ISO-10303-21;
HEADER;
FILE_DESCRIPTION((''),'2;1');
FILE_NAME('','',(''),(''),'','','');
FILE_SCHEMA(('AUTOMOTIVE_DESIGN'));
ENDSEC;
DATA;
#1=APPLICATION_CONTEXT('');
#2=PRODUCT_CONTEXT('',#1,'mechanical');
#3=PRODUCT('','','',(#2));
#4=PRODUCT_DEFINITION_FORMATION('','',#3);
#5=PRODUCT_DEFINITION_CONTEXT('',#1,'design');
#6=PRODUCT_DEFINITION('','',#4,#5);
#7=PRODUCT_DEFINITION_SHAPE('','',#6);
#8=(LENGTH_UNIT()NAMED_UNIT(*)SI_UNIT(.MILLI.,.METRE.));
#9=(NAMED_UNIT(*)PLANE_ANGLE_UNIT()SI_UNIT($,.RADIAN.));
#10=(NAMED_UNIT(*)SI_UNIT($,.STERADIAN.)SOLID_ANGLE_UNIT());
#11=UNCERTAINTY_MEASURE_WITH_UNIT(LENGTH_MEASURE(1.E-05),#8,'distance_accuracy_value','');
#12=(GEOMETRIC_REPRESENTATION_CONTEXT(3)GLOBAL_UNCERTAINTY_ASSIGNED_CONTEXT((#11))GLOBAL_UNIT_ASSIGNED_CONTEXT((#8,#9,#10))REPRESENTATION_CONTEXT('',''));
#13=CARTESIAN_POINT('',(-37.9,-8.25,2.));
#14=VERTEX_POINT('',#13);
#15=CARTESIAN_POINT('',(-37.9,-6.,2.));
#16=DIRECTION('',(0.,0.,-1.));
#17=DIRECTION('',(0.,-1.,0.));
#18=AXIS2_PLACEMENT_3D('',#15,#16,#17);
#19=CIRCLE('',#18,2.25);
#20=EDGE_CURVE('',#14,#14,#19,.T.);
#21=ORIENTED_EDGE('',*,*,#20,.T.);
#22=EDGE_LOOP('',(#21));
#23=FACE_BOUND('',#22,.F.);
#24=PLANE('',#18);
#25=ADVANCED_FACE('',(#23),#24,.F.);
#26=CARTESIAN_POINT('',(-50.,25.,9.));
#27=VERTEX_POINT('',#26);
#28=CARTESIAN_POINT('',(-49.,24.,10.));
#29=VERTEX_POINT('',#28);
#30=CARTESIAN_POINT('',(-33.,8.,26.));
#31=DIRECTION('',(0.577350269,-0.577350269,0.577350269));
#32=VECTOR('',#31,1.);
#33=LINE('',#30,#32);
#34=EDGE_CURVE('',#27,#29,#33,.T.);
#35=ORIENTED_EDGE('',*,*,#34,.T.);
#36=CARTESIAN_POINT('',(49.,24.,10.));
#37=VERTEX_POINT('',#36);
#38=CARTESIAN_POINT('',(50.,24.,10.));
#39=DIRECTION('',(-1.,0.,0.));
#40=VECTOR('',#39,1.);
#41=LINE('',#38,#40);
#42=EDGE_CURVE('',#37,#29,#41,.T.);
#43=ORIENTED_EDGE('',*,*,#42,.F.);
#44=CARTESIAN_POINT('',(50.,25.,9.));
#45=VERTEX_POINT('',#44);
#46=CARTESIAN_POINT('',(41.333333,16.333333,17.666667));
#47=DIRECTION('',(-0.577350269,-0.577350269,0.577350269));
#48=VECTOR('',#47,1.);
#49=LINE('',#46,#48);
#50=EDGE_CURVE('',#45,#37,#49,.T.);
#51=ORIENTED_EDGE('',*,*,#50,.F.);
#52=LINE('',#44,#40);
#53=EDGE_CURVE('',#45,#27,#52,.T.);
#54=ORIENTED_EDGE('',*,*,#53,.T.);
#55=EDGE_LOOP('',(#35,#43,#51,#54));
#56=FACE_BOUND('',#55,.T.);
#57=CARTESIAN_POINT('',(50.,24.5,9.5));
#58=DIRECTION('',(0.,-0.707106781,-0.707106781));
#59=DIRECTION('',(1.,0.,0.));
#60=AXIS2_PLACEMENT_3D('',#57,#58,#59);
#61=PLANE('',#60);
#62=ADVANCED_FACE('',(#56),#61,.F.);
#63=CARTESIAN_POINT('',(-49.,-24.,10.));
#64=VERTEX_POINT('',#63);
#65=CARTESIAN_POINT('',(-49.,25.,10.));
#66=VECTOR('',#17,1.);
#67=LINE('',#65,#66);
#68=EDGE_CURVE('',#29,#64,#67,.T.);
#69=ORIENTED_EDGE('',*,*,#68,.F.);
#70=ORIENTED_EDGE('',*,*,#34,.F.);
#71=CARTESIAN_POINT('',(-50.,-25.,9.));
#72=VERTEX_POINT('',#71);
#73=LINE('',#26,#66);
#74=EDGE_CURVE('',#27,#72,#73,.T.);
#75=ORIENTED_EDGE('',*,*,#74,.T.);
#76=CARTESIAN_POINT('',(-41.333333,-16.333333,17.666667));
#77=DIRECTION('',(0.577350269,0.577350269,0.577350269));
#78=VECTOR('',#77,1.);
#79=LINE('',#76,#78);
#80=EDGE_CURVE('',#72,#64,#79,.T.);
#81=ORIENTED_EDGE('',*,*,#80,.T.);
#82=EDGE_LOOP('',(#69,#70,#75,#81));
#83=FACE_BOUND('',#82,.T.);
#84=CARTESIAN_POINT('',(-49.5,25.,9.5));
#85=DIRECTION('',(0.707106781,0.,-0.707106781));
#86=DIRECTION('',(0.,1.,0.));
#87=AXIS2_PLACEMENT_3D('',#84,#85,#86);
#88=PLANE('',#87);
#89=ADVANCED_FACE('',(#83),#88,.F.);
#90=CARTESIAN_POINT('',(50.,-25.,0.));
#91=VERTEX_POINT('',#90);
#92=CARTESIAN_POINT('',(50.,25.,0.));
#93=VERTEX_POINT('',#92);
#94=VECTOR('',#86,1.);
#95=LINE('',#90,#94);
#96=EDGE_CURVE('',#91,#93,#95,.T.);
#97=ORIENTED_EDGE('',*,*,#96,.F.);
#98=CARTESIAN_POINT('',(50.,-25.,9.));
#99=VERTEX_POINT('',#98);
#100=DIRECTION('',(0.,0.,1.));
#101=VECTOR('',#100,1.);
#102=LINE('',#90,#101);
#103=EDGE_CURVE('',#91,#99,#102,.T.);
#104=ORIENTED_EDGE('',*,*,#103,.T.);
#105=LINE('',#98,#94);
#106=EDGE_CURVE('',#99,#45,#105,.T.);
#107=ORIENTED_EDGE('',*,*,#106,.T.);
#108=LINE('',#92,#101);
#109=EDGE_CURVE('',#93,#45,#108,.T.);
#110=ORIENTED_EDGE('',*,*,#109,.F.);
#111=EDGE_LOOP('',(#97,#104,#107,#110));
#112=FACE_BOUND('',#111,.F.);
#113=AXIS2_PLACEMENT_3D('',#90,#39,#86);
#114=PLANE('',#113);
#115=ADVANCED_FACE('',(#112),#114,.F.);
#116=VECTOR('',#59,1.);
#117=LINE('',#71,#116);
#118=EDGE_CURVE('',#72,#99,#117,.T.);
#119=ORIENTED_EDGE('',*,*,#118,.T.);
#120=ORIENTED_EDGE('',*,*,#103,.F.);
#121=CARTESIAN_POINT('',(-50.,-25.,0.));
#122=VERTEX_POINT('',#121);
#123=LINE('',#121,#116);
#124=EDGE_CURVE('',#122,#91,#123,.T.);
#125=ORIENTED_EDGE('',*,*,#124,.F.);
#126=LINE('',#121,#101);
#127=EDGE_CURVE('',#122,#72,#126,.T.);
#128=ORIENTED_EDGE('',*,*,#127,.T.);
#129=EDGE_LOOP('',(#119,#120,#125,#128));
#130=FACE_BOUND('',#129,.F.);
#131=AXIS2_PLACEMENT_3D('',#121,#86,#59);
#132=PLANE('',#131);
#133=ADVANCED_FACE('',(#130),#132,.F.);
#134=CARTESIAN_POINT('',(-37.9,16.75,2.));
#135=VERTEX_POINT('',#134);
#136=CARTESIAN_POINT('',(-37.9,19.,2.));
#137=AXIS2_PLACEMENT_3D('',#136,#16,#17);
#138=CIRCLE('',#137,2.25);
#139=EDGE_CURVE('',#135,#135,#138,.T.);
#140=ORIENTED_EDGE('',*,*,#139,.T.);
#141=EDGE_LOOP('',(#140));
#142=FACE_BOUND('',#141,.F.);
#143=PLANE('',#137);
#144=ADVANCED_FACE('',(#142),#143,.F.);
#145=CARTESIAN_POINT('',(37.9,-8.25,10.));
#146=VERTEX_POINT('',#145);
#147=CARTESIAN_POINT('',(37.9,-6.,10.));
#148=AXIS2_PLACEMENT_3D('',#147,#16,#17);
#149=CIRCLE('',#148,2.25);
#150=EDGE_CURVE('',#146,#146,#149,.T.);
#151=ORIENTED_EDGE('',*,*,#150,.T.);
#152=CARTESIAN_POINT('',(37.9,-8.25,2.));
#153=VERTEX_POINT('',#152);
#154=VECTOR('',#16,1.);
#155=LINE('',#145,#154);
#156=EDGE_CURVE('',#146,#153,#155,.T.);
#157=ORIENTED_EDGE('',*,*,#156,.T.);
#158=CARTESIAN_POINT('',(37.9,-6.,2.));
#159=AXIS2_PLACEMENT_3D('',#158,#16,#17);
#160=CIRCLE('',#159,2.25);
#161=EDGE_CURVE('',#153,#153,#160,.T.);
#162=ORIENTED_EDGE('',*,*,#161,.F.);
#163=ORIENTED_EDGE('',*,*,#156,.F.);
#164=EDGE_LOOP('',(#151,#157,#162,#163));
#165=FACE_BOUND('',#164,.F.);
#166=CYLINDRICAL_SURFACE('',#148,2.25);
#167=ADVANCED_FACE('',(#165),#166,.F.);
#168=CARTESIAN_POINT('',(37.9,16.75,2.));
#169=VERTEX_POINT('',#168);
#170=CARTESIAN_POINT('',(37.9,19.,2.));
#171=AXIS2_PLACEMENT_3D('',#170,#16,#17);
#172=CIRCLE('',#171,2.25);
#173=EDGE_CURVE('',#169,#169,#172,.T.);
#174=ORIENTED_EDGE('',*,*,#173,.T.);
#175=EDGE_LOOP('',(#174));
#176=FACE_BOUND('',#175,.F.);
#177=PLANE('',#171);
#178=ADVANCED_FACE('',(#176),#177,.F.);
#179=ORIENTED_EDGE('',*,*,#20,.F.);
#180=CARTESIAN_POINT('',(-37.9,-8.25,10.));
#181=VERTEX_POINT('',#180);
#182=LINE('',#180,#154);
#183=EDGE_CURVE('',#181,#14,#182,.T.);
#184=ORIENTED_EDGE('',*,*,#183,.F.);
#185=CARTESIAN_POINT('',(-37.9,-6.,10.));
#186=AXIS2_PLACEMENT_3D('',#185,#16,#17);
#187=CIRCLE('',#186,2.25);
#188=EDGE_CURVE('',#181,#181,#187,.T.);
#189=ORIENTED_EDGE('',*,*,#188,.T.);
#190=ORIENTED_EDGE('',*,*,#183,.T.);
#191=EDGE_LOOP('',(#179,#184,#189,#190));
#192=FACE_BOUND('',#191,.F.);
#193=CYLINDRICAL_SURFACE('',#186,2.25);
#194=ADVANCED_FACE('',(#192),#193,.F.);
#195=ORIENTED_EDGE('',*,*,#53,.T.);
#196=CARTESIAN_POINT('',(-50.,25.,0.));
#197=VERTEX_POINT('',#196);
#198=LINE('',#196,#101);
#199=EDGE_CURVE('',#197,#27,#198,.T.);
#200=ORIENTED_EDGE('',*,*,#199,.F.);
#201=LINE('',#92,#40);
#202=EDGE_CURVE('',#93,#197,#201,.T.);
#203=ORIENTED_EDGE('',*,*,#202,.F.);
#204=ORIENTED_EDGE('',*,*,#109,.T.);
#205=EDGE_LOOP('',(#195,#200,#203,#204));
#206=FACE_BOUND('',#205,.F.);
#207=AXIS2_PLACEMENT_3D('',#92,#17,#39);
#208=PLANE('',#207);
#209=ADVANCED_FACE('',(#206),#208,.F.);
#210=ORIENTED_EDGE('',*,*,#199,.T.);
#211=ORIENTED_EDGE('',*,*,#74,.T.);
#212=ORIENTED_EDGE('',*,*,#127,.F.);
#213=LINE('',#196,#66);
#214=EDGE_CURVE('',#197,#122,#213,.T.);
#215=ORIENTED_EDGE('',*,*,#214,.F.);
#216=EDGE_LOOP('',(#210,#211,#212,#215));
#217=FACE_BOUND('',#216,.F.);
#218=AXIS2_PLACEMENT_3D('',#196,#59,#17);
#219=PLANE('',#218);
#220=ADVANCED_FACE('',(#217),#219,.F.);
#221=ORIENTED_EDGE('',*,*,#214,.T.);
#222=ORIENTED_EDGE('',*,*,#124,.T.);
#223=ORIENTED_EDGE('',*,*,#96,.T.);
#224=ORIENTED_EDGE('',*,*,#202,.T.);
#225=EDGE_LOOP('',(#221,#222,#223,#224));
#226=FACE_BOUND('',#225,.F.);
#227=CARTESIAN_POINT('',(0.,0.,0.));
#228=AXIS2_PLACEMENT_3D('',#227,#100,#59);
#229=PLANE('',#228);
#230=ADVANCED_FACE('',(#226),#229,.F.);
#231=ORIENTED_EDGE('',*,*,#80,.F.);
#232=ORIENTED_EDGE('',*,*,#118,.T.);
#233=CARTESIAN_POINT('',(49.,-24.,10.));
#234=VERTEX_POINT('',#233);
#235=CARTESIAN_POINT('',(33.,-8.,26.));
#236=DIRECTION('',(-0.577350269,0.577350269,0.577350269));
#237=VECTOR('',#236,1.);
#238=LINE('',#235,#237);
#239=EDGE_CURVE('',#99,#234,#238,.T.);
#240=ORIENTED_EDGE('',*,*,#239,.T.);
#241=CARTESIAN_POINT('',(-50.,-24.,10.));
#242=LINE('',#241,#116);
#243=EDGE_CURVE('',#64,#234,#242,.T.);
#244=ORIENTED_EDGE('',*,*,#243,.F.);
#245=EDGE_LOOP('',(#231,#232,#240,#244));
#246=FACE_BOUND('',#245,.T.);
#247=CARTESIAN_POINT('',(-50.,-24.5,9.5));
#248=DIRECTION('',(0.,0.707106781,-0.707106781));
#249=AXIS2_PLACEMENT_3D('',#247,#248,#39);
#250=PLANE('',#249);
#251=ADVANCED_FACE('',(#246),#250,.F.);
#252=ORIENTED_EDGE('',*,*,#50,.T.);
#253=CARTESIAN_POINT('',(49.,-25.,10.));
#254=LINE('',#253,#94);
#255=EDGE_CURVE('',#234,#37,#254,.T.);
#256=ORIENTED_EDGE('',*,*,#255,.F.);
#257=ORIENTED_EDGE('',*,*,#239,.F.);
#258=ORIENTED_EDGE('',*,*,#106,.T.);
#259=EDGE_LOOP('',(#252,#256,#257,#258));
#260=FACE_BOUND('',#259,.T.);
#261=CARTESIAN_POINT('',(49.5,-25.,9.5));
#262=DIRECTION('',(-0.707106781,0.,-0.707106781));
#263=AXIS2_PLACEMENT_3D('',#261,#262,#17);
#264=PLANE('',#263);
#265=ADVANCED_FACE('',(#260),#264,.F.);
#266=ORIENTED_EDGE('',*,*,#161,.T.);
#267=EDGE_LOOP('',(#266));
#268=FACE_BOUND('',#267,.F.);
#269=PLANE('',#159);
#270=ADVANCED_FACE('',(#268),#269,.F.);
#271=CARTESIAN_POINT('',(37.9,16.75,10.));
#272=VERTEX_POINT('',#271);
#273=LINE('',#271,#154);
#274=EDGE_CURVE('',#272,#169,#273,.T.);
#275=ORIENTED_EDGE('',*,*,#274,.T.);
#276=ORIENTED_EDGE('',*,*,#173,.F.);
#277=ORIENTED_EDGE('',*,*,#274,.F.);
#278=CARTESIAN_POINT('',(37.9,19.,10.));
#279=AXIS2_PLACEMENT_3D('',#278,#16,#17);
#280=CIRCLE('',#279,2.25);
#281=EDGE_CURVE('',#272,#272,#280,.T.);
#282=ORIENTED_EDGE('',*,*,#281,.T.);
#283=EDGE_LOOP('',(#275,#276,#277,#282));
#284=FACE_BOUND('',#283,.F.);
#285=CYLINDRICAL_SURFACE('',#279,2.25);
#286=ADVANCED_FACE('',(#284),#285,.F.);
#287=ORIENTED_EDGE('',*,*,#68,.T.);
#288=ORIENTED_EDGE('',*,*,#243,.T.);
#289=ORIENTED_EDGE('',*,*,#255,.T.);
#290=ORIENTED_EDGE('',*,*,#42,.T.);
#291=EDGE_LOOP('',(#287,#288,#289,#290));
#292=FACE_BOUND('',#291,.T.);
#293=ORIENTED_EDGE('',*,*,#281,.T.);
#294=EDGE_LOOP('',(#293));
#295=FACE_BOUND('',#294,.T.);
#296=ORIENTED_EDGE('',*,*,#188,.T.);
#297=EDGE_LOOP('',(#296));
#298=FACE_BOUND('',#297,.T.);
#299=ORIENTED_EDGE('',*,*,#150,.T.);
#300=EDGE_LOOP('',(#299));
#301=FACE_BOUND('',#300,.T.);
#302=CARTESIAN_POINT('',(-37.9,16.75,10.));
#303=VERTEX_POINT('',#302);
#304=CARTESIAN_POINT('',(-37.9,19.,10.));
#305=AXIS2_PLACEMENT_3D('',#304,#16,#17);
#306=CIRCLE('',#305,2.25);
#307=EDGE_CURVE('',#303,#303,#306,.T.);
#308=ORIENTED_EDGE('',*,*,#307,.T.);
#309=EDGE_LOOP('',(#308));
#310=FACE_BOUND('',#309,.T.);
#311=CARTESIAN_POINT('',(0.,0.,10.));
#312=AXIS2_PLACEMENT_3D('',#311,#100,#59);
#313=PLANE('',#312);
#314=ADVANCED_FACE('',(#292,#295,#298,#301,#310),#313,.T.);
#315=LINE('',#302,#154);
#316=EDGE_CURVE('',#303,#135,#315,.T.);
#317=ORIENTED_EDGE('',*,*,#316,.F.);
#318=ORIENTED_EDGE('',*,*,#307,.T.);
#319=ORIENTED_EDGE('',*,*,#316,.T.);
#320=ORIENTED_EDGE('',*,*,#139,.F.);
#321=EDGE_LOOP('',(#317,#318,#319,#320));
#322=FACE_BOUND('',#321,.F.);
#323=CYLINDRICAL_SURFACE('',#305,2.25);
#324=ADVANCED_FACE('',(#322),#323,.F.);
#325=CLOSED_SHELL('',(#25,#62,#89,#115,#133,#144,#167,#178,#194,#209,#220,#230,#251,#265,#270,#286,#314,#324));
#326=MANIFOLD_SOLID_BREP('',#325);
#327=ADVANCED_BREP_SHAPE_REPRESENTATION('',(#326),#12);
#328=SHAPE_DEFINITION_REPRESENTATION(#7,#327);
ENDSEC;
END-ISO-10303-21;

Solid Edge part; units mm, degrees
sketch "Sketch1" plane through (0, 0, 0) normal (0, 0, 1) x (1, 0, 0)
  line L0 (-50, -25) -> (50, -25)
  line L1 (50, -25) -> (50, 25)
  line L2 (50, 25) -> (-50, 25)
  line L3 (-50, 25) -> (-50, -25)
extrude "Protrusion1" add sketch "Sketch1" along normal blind 10
chamfer "Fase" distance 1 angle 45 4 edges at (0, -25, 10) (50, 0, 10) (0, 25, 10) (-50, 0, 10)
hole "Hole1" at (37.9, 19, 10) direction (0, 0, -1) diameter 4.5 depth 8
hole "Hole2" at (37.9, -6, 10) direction (0, 0, -1) diameter 4.5 depth 8
hole "Hole3" at (-37.9, -6, 10) direction (0, 0, -1) diameter 4.5 depth 8
hole "Hole4" at (-37.9, 19, 10) direction (0, 0, -1) diameter 4.5 depth 8
